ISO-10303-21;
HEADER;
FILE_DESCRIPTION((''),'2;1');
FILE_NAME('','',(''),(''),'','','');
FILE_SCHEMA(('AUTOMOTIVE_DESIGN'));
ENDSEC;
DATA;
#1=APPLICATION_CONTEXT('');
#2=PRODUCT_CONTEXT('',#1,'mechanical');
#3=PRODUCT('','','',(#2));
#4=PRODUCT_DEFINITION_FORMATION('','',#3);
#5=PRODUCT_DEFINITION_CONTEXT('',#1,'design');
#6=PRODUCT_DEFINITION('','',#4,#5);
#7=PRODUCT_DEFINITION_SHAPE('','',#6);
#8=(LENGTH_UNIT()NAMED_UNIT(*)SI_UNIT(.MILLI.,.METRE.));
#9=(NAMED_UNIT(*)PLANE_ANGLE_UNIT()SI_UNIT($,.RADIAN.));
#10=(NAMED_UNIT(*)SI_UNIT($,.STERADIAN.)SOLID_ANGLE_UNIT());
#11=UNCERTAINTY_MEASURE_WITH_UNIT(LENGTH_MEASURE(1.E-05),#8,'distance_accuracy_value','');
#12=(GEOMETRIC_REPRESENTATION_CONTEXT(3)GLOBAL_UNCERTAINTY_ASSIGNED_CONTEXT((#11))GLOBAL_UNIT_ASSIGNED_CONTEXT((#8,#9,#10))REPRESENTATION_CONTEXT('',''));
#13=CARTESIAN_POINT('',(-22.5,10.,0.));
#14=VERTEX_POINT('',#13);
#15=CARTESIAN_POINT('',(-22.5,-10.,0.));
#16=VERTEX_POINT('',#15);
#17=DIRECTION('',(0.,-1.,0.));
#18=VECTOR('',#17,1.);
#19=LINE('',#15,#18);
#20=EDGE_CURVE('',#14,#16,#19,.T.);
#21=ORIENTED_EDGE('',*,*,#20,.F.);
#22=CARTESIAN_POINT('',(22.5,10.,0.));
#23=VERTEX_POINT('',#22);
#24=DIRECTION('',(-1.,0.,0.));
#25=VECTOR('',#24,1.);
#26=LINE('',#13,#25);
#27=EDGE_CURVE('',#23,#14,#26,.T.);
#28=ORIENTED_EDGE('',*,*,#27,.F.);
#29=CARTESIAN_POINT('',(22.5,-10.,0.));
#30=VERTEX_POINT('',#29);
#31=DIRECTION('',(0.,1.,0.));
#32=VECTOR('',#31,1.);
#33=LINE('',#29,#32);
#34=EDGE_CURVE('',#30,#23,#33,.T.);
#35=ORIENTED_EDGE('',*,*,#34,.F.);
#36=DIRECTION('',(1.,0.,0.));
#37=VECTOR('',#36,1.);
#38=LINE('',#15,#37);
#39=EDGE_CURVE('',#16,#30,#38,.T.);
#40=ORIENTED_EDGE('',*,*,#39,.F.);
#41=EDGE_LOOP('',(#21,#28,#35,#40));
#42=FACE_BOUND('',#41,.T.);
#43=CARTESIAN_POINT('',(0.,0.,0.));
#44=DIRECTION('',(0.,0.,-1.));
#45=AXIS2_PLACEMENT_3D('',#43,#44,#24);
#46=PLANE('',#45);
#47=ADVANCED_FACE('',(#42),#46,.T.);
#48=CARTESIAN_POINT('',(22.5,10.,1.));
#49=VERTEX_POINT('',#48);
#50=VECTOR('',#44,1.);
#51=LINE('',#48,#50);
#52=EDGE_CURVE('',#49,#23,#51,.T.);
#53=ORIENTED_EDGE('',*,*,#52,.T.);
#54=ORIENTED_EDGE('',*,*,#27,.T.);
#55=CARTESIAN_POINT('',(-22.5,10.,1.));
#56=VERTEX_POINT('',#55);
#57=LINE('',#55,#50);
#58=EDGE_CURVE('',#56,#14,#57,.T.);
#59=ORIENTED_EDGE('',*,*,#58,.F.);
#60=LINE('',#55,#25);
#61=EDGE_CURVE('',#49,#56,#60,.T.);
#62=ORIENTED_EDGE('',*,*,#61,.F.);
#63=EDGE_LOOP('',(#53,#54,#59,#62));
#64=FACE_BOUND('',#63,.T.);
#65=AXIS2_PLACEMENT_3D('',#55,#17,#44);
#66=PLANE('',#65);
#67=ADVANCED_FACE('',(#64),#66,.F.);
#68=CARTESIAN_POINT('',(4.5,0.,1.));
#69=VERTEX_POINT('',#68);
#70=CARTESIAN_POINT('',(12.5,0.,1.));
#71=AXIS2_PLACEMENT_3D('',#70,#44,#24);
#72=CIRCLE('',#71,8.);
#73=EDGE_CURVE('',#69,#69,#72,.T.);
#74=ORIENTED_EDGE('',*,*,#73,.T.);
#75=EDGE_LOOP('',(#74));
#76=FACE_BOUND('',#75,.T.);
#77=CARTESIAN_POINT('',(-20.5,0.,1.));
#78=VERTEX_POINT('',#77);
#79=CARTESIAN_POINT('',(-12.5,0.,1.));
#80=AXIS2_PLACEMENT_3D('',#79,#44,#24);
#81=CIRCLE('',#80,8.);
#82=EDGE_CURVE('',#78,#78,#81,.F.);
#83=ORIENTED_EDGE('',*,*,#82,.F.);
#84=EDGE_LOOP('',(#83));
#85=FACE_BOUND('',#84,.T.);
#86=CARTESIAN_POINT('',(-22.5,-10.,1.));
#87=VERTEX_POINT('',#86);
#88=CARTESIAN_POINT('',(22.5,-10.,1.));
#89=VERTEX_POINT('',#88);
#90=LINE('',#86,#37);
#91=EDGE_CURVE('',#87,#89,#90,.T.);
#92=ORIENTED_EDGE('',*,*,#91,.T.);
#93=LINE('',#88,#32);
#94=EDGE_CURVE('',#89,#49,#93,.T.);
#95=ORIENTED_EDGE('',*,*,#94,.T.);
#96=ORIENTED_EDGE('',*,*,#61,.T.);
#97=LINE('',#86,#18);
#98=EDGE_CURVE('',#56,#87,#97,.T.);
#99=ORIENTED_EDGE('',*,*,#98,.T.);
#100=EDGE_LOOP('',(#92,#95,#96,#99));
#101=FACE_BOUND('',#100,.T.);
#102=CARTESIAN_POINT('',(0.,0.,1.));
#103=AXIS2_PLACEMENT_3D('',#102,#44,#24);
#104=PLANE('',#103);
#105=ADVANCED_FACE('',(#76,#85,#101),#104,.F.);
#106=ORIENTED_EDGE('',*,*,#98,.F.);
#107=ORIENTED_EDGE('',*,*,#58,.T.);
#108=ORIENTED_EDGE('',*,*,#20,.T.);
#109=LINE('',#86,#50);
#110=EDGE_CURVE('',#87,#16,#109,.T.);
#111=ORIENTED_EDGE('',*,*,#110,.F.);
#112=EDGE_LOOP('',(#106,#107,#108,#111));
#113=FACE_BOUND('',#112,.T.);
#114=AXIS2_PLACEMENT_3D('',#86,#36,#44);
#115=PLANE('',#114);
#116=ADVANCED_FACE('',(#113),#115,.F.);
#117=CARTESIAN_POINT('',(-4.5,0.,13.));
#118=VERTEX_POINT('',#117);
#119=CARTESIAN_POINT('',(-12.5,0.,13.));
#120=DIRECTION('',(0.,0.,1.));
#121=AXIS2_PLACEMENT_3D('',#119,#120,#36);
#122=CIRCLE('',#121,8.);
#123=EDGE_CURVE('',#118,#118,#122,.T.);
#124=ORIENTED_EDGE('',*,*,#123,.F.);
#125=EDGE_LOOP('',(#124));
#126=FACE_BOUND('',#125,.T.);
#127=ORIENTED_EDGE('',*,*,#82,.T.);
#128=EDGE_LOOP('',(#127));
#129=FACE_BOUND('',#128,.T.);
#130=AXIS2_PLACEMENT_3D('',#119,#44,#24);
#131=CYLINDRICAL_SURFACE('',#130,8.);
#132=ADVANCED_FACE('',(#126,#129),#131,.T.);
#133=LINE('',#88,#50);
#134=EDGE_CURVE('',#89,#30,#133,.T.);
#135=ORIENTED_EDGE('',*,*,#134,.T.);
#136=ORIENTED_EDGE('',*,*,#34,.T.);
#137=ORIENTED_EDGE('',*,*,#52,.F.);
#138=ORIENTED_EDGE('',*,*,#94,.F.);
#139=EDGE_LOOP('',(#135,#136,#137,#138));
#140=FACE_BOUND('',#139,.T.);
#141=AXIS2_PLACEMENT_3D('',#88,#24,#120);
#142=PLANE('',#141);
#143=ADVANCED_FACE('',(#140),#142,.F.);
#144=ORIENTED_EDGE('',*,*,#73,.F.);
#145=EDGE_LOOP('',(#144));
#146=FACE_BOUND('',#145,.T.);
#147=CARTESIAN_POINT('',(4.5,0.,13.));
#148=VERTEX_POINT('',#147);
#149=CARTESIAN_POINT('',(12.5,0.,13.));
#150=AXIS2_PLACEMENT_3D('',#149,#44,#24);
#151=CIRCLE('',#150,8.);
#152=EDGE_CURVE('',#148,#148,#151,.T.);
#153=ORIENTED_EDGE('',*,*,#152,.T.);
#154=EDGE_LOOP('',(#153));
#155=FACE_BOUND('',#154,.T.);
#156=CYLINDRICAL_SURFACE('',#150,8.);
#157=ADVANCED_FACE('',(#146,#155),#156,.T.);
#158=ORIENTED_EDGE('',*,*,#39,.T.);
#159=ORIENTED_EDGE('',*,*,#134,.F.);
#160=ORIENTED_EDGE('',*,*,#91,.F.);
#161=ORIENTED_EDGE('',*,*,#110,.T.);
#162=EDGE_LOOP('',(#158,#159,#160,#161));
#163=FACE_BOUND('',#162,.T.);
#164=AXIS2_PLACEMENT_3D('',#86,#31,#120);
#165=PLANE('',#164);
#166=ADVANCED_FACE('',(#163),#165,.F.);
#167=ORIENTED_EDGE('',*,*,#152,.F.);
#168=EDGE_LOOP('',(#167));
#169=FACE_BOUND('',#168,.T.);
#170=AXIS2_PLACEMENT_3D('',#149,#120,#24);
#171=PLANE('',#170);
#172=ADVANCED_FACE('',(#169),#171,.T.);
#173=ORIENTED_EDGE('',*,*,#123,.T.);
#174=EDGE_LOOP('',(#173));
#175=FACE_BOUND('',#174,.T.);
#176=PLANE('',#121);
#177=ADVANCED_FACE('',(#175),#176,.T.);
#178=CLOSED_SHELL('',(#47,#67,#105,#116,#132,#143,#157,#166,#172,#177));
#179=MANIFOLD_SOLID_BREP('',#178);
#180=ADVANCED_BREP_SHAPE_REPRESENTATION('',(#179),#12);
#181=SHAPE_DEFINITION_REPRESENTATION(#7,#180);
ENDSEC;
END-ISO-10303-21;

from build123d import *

# Parameters (mm, degrees)
SKETCH1_W           = 45
SKETCH1_H           = 20
BOSS_EXTRUDE1_DEPTH = 1
SKETCH2_R           = 8
BOSS_EXTRUDE2_DEPTH = 12


with BuildPart() as part:
    # Sketch1 → Boss-Extrude1 (new body)
    with BuildSketch(Plane.XY):
        Rectangle(SKETCH1_W, SKETCH1_H)
    extrude(amount=BOSS_EXTRUDE1_DEPTH)

    # Sketch2 → Boss-Extrude2 (add)
    with BuildSketch(Plane.XY.offset(1)):
        with Locations(Location((-12.5, 0, 0), (0, 0, 180))):
            Circle(SKETCH2_R)
    boss_extrude2 = extrude(amount=BOSS_EXTRUDE2_DEPTH)

    # Mirror1: Boss-Extrude2 across plane
    add(boss_extrude2.mirror(Plane(origin=(0, 0, 0), x_dir=(0, 0, 1), z_dir=(1, 0, 0))))


solid = part.part
